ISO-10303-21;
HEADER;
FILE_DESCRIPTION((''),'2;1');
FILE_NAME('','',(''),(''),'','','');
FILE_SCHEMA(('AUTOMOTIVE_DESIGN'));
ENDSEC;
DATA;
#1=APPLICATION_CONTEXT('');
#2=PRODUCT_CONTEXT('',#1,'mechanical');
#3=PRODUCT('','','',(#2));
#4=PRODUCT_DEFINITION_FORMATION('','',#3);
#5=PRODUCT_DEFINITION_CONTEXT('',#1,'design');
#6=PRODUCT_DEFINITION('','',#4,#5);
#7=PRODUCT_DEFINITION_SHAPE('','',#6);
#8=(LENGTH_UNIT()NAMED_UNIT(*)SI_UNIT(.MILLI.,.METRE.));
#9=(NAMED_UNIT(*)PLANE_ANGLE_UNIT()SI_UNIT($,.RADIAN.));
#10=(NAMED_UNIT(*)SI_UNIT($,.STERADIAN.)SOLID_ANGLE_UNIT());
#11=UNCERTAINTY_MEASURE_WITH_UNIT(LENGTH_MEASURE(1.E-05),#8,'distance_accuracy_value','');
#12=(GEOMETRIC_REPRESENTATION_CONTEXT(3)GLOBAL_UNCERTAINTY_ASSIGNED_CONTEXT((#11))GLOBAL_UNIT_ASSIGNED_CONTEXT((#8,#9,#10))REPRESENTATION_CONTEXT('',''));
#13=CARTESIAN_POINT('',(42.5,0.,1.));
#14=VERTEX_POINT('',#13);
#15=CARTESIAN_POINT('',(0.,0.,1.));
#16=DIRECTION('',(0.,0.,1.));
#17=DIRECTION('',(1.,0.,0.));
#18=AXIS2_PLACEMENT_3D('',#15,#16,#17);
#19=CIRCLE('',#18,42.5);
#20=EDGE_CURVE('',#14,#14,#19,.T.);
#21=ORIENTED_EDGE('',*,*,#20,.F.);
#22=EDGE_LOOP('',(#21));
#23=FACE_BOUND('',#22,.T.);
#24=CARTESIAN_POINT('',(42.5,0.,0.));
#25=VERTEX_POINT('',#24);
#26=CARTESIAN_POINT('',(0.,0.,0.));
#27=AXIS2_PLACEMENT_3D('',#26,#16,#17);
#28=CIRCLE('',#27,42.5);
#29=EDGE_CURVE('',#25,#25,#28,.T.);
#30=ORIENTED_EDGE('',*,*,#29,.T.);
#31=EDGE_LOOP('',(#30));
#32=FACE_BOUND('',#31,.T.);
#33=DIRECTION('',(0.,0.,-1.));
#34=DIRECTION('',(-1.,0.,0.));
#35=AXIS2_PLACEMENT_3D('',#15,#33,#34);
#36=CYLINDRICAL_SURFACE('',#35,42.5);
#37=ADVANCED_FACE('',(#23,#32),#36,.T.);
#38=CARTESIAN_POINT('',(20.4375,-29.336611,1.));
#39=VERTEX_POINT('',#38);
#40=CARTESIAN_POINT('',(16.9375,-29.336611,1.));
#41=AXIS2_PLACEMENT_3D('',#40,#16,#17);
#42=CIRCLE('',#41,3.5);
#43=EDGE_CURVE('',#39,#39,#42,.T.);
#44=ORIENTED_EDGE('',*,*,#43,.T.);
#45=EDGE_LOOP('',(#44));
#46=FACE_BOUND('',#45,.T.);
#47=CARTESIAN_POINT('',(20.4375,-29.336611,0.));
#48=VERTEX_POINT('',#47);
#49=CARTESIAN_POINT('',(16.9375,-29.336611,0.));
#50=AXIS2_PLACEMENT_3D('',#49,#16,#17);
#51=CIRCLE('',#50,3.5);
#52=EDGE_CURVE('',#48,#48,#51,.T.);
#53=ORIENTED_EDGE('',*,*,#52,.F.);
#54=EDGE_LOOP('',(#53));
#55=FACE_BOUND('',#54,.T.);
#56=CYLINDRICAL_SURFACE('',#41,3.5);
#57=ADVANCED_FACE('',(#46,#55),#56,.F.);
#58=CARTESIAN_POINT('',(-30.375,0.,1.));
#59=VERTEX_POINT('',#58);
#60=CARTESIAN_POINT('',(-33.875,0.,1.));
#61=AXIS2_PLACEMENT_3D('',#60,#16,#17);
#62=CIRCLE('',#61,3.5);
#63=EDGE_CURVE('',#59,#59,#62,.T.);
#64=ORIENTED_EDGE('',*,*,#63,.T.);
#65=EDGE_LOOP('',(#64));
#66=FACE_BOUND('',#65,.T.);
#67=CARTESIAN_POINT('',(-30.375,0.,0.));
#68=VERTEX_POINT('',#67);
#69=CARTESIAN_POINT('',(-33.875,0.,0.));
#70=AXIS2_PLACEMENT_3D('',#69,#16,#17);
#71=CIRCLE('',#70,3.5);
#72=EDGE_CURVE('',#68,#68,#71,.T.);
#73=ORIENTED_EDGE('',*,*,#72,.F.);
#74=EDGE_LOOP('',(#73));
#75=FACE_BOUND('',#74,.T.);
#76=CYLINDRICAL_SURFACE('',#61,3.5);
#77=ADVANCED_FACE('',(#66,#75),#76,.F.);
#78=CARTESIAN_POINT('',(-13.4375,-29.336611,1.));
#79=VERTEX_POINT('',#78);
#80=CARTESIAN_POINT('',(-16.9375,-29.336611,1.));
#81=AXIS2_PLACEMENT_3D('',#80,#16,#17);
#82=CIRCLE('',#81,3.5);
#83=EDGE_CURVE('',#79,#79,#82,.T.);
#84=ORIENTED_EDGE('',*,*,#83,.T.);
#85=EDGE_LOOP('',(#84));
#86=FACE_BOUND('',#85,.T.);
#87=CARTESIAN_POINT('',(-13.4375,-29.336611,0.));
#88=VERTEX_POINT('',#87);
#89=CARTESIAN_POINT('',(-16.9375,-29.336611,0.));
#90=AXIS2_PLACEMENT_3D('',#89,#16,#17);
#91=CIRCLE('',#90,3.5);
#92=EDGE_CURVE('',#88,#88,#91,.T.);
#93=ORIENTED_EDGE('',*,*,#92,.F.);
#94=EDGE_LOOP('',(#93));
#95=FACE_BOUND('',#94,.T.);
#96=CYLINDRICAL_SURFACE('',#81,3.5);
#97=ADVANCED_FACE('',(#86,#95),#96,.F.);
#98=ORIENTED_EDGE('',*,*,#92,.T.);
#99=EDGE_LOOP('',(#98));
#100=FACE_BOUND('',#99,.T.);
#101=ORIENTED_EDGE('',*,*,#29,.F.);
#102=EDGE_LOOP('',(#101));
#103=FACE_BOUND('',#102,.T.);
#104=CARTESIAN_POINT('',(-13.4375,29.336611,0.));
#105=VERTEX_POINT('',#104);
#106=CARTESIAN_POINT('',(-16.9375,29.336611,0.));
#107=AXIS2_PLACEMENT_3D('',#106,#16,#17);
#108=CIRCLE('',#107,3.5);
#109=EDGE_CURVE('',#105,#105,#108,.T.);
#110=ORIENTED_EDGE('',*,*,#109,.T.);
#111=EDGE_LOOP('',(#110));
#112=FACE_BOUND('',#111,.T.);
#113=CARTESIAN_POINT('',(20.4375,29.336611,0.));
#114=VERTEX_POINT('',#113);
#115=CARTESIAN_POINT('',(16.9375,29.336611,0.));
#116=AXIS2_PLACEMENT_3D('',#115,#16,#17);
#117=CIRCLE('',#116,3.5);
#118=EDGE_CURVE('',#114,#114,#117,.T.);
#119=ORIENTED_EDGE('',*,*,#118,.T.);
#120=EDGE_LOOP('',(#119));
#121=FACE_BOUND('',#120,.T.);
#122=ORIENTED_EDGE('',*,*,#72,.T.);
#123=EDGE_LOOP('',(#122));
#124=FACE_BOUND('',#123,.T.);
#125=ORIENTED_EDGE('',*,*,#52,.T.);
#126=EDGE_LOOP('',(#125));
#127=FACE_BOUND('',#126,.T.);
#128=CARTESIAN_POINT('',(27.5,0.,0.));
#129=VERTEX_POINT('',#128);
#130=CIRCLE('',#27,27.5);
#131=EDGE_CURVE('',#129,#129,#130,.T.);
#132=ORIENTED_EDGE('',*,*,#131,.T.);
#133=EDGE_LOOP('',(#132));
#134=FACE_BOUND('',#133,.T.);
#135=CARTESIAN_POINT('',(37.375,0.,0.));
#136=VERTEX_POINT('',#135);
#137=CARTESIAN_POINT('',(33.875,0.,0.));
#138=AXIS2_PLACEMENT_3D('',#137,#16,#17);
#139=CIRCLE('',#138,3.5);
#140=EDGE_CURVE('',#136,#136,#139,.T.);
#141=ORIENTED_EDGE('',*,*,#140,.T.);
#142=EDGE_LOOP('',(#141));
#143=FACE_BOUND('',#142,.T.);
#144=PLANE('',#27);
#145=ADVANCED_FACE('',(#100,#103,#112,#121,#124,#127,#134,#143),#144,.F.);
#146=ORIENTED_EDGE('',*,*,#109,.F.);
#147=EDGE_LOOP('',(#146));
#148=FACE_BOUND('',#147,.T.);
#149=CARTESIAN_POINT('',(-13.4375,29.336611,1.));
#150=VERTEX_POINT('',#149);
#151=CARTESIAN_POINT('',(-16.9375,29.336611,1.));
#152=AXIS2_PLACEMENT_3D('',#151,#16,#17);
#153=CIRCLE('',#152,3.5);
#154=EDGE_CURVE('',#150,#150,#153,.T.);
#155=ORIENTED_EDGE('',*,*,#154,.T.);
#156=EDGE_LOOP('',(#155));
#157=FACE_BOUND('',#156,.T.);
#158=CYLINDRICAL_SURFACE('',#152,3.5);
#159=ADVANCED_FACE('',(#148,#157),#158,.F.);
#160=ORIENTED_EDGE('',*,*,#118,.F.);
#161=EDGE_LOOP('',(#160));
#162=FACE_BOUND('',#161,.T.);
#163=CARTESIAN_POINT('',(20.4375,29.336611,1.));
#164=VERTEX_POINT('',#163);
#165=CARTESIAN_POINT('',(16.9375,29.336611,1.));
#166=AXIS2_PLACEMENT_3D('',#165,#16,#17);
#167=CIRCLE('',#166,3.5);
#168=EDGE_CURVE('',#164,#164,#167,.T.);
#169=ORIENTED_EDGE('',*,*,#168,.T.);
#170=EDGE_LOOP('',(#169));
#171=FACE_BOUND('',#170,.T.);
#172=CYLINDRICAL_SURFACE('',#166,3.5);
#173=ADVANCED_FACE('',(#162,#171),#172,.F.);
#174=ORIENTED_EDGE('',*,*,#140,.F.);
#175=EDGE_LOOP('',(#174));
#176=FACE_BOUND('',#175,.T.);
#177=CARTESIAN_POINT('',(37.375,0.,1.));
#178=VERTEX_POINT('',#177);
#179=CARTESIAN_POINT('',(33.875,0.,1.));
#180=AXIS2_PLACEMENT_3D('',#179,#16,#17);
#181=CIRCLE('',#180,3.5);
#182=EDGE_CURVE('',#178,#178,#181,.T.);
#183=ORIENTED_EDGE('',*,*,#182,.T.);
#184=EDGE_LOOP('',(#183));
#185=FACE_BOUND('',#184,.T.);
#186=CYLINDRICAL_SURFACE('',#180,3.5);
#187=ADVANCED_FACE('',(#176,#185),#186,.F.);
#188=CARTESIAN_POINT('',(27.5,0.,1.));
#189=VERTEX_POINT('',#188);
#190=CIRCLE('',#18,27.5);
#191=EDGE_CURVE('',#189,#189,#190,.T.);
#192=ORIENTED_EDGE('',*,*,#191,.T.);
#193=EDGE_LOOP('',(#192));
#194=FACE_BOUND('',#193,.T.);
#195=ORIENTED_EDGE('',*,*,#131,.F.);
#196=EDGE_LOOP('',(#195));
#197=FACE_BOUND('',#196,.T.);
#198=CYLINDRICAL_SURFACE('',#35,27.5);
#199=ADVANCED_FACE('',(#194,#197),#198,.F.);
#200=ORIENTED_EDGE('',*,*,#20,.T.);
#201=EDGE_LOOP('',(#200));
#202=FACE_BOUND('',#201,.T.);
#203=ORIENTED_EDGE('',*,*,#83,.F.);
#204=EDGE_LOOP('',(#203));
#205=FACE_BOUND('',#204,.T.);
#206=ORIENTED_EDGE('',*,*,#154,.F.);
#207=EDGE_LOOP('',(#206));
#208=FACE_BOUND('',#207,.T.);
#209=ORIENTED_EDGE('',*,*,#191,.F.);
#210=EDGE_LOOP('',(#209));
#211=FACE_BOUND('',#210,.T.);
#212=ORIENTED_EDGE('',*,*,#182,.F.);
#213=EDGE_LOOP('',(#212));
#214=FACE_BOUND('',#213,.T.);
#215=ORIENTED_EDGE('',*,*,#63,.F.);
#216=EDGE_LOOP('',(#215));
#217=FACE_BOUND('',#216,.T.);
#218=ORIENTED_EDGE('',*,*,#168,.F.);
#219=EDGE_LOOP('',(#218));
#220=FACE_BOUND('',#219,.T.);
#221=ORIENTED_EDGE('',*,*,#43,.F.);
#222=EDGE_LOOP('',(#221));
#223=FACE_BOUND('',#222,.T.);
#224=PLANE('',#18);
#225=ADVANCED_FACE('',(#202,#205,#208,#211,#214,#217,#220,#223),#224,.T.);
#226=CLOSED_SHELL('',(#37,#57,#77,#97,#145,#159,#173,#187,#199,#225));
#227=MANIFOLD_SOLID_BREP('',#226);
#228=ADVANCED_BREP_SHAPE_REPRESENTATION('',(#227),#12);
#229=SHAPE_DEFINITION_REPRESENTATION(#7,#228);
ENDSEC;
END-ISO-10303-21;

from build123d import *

# Parameters (mm, degrees)
SKETCH1_R            = 42.5
SKETCH1_R_2          = 27.5
BOSS_EXTRUDE1_DEPTH  = 1
M6_CLEARANCE_HOLE1_D = 7


with BuildPart() as part:
    # Sketch1 → Boss-Extrude1 (new body)
    with BuildSketch(Plane.XY):
        Circle(SKETCH1_R)
        Circle(SKETCH1_R_2, mode=Mode.SUBTRACT)
    extrude(amount=BOSS_EXTRUDE1_DEPTH)

    # M6 Clearance Hole1 (through all)
    with Locations(Plane.XY.offset(1)):
        with Locations((-33.875, 0), (-16.9375, -29.336610553), (16.9375, -29.336610553), (33.875, 0), (16.9375, 29.336610553), (-16.9375, 29.336610553)):
            Hole(M6_CLEARANCE_HOLE1_D / 2)


solid = part.part
